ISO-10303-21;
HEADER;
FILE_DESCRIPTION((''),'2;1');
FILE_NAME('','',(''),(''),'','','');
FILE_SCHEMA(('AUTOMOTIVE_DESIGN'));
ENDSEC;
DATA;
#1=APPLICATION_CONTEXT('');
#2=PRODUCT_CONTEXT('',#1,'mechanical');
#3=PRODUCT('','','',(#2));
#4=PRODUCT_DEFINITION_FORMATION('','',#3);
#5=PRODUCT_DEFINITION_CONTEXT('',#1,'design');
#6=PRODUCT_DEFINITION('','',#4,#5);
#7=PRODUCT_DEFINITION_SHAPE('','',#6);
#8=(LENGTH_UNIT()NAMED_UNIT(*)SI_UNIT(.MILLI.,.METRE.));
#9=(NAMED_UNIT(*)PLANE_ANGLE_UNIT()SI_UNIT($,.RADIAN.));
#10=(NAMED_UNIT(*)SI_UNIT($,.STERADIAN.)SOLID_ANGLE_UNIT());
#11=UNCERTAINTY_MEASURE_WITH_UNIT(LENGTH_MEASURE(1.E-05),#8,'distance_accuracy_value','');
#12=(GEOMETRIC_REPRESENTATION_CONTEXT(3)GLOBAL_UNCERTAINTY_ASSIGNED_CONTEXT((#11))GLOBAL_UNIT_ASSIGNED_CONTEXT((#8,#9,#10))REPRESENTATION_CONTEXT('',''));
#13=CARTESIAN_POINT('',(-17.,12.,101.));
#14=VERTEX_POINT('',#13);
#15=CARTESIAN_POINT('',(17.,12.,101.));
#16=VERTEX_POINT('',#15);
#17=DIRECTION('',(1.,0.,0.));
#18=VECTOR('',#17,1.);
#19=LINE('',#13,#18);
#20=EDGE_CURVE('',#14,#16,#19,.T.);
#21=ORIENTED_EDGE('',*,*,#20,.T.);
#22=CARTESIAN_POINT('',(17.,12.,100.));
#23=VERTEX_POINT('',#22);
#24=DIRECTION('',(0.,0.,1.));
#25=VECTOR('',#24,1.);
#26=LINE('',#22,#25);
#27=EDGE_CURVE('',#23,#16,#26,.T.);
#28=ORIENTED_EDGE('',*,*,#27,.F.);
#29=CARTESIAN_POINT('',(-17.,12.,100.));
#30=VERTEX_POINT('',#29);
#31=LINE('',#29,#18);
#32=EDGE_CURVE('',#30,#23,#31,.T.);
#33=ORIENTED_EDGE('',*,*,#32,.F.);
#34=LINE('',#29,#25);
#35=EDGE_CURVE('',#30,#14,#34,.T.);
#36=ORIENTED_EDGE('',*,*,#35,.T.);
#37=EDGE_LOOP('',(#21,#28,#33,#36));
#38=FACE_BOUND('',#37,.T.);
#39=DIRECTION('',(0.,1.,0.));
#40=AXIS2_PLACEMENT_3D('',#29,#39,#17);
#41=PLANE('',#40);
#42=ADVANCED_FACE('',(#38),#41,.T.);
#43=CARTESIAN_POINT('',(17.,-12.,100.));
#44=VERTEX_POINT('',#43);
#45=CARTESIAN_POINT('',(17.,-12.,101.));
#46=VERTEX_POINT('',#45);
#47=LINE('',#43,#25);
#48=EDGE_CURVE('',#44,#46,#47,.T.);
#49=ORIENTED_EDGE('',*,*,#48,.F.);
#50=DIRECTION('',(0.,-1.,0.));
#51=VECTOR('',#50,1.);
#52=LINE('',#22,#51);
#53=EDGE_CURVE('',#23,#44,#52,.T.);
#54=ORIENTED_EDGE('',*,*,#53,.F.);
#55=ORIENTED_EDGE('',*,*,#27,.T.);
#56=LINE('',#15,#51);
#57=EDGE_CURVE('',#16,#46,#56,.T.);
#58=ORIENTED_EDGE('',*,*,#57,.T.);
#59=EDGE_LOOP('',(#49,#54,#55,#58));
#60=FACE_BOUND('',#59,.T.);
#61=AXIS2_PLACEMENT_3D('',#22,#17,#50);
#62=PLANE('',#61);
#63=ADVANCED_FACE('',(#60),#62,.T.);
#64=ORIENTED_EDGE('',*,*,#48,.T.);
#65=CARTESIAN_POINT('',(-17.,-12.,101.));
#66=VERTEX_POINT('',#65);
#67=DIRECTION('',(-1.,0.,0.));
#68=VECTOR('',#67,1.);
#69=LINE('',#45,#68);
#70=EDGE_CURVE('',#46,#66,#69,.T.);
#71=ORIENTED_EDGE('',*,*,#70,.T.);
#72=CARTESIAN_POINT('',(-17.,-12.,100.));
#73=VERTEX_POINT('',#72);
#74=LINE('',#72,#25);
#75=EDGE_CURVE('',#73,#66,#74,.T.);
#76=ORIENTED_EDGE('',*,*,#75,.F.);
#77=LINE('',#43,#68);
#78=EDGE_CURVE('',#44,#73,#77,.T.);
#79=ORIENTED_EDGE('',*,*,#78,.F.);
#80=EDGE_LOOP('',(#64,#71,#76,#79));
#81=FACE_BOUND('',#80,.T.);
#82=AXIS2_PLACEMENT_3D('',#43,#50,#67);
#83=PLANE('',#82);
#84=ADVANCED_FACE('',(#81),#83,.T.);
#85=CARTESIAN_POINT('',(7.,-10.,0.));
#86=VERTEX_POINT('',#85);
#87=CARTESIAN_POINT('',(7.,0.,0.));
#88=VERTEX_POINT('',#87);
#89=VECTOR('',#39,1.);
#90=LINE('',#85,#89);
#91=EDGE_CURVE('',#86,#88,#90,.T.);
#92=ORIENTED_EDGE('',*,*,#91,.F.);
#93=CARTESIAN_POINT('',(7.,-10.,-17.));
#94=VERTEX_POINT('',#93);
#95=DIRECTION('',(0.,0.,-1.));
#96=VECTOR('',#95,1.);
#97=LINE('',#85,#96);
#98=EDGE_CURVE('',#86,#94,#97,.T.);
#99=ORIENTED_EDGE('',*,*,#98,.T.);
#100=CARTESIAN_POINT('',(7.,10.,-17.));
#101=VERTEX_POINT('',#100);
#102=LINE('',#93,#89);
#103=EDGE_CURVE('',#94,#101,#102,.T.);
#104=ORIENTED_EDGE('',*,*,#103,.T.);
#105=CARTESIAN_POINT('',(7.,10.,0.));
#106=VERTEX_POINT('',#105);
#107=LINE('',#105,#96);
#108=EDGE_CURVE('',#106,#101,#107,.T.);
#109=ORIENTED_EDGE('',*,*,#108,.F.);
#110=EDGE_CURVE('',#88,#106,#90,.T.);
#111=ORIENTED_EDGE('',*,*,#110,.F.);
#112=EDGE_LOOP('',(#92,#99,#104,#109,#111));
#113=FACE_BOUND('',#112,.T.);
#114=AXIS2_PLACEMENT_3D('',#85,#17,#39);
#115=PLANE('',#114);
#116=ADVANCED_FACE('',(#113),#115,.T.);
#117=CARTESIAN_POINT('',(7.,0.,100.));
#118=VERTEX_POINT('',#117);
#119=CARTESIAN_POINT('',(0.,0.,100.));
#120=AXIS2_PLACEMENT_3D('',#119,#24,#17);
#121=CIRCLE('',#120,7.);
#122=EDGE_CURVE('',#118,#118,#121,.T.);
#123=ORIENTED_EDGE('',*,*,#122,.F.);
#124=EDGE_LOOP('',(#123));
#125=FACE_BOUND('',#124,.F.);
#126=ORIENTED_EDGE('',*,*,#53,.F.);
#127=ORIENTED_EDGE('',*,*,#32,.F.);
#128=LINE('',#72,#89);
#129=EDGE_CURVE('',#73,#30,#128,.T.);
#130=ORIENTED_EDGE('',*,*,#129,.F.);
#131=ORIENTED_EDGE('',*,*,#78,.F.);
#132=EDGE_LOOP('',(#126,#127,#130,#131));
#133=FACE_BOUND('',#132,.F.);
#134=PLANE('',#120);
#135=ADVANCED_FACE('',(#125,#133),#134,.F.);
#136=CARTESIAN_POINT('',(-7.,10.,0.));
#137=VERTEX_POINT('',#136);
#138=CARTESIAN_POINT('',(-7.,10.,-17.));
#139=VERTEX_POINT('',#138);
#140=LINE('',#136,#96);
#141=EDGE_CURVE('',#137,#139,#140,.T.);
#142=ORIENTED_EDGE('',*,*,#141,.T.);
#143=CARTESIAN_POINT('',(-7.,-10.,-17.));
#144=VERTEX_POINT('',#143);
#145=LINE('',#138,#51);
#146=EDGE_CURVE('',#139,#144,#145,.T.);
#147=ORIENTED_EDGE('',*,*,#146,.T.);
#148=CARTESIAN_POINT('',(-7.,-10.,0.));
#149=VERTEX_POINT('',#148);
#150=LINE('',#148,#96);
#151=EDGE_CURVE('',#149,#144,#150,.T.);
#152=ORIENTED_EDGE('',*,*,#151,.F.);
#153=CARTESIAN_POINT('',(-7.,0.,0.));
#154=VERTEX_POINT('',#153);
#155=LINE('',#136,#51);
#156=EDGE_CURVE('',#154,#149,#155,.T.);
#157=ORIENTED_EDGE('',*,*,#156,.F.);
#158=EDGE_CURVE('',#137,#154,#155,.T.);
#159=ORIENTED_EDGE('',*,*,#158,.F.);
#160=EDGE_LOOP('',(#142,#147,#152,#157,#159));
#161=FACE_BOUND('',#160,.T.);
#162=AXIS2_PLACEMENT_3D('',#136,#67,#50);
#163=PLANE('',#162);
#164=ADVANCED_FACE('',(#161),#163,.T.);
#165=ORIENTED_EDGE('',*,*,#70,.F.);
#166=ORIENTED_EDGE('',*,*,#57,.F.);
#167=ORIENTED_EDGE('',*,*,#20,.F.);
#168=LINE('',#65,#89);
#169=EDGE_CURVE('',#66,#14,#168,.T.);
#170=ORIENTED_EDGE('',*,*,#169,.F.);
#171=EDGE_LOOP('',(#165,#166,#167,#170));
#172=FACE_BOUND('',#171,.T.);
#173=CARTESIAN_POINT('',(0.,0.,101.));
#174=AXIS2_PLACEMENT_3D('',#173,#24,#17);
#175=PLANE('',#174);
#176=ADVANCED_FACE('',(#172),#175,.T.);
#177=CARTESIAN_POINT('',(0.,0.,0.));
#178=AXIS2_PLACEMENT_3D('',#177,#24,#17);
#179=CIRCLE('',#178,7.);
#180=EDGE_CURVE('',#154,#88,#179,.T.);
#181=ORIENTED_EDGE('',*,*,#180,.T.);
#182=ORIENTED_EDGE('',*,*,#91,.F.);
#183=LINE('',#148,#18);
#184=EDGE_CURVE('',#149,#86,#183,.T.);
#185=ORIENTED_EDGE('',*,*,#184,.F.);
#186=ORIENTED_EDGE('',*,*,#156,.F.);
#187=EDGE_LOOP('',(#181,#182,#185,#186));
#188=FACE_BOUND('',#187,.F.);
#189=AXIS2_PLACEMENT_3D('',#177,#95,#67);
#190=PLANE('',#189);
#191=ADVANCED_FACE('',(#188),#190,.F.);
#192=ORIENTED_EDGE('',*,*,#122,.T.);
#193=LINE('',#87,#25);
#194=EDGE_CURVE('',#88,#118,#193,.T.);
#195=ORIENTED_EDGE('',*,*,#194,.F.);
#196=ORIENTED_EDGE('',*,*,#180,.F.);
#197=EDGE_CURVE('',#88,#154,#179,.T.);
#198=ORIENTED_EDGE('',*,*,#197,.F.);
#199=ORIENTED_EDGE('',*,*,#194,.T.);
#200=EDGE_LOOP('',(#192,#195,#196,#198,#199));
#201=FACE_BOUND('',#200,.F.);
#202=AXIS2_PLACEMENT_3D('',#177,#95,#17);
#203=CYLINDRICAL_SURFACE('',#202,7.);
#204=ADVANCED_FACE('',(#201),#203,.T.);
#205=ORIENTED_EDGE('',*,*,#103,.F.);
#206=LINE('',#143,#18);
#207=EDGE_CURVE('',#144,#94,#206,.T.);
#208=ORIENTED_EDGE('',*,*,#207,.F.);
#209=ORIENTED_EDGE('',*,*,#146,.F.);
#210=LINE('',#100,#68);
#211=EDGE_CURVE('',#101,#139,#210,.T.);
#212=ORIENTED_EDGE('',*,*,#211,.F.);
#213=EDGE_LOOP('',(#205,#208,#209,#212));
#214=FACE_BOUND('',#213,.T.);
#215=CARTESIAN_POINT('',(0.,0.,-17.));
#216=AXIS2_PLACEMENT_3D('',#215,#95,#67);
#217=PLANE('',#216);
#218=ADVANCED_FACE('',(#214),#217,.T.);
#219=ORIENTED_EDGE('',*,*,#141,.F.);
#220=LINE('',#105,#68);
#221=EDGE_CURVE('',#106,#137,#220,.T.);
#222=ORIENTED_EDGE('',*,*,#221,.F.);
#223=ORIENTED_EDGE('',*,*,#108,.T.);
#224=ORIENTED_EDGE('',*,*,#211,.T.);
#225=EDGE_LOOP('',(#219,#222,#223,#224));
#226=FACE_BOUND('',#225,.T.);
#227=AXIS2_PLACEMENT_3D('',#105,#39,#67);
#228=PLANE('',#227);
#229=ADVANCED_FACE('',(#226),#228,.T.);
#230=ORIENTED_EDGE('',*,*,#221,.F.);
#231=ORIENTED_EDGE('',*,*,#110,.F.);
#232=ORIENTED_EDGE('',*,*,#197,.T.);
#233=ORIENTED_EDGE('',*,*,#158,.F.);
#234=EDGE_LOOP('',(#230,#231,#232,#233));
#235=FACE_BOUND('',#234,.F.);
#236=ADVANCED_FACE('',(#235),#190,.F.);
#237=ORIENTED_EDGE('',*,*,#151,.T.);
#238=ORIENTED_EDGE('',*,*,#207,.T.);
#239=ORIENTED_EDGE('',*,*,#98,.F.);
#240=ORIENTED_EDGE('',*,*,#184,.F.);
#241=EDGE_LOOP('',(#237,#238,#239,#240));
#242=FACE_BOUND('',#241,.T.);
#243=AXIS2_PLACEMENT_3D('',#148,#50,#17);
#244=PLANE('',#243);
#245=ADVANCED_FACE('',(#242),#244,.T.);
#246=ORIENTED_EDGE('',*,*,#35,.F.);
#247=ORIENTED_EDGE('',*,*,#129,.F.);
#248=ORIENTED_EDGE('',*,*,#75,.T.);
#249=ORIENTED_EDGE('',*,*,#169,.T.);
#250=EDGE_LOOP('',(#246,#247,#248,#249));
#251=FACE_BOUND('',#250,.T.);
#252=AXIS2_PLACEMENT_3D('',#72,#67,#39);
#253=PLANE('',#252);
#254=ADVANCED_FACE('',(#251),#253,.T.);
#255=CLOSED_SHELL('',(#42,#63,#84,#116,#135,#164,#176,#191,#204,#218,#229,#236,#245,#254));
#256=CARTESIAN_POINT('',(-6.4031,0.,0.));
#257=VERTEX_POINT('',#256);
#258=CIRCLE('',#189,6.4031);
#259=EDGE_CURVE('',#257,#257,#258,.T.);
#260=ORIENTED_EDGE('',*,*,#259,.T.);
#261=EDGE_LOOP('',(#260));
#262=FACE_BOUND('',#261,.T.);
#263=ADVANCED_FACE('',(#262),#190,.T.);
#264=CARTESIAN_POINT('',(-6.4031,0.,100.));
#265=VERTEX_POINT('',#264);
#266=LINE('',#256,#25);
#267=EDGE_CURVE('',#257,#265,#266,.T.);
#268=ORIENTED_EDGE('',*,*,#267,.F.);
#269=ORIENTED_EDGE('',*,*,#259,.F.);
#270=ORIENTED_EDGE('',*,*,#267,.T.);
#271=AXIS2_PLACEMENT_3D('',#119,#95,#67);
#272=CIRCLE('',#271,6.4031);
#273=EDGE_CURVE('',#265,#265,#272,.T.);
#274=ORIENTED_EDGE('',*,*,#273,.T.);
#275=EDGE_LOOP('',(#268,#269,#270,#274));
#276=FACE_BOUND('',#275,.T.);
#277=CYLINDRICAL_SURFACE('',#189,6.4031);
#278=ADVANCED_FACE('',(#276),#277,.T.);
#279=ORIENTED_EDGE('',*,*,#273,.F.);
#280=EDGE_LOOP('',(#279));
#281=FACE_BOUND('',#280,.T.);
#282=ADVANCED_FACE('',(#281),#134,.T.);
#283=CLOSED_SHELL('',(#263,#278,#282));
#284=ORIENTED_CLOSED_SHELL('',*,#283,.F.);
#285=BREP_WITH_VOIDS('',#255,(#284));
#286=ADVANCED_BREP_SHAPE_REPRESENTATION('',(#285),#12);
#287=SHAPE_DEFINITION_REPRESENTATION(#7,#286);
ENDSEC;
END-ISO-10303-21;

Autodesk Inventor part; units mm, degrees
ref_plane "YZ Plane" through (0, 0, 0) normal (1, 0, 0) x (0, 1, 0)
ref_plane "XZ Plane" through (0, 0, 0) normal (0, 1, 0) x (-1, 0, 0)
ref_plane "XY Plane" through (0, 0, 0) normal (0, 0, 1) x (1, 0, 0)
sketch "Sketch1" plane through (0, 0, 0) normal (0, 0, 1) x (1, 0, 0)
  circle A0 centre (0, 0) radius 7
  dimension "d0" = 14
extrude "Extrusion1" add sketch "Sketch1" along normal blind 100
sketch "Sketch2" plane through (0, 0, 0) normal (0, 0, -1) x (-1, 0, 0)
  circle A0 centre (0, 0) radius 6.4031
extrude "Extrusion2" cut sketch "Sketch2" against normal blind 1000
sketch "Sketch3" plane through (0, 0, 100) normal (0, 0, 1) x (1, 0, 0)
  line L0 (17, -12) -> (-17, -12)
  line L1 (-17, -12) -> (-17, 12)
  line L2 (-17, 12) -> (17, 12)
  line L3 (17, 12) -> (17, -12)
  point P0 (0, 0)
  dimension "d5" = 34
  dimension "d6" = 24
extrude "Extrusion3" add sketch "Sketch3" along normal blind 1
sketch "Sketch4" plane through (0, 0, 0) normal (0, 0, -1) x (-1, 0, 0)
  line L0 (7, -10) -> (-7, -10)
  line L1 (-7, -10) -> (-7, 10)
  line L2 (-7, 10) -> (7, 10)
  line L3 (7, 10) -> (7, -10)
  point P0 (0, 0)
  dimension "d9" = 14
  dimension "d10" = 20
extrude "Extrusion4" add sketch "Sketch4" along normal blind 17
properties part number "muñeca eje"
